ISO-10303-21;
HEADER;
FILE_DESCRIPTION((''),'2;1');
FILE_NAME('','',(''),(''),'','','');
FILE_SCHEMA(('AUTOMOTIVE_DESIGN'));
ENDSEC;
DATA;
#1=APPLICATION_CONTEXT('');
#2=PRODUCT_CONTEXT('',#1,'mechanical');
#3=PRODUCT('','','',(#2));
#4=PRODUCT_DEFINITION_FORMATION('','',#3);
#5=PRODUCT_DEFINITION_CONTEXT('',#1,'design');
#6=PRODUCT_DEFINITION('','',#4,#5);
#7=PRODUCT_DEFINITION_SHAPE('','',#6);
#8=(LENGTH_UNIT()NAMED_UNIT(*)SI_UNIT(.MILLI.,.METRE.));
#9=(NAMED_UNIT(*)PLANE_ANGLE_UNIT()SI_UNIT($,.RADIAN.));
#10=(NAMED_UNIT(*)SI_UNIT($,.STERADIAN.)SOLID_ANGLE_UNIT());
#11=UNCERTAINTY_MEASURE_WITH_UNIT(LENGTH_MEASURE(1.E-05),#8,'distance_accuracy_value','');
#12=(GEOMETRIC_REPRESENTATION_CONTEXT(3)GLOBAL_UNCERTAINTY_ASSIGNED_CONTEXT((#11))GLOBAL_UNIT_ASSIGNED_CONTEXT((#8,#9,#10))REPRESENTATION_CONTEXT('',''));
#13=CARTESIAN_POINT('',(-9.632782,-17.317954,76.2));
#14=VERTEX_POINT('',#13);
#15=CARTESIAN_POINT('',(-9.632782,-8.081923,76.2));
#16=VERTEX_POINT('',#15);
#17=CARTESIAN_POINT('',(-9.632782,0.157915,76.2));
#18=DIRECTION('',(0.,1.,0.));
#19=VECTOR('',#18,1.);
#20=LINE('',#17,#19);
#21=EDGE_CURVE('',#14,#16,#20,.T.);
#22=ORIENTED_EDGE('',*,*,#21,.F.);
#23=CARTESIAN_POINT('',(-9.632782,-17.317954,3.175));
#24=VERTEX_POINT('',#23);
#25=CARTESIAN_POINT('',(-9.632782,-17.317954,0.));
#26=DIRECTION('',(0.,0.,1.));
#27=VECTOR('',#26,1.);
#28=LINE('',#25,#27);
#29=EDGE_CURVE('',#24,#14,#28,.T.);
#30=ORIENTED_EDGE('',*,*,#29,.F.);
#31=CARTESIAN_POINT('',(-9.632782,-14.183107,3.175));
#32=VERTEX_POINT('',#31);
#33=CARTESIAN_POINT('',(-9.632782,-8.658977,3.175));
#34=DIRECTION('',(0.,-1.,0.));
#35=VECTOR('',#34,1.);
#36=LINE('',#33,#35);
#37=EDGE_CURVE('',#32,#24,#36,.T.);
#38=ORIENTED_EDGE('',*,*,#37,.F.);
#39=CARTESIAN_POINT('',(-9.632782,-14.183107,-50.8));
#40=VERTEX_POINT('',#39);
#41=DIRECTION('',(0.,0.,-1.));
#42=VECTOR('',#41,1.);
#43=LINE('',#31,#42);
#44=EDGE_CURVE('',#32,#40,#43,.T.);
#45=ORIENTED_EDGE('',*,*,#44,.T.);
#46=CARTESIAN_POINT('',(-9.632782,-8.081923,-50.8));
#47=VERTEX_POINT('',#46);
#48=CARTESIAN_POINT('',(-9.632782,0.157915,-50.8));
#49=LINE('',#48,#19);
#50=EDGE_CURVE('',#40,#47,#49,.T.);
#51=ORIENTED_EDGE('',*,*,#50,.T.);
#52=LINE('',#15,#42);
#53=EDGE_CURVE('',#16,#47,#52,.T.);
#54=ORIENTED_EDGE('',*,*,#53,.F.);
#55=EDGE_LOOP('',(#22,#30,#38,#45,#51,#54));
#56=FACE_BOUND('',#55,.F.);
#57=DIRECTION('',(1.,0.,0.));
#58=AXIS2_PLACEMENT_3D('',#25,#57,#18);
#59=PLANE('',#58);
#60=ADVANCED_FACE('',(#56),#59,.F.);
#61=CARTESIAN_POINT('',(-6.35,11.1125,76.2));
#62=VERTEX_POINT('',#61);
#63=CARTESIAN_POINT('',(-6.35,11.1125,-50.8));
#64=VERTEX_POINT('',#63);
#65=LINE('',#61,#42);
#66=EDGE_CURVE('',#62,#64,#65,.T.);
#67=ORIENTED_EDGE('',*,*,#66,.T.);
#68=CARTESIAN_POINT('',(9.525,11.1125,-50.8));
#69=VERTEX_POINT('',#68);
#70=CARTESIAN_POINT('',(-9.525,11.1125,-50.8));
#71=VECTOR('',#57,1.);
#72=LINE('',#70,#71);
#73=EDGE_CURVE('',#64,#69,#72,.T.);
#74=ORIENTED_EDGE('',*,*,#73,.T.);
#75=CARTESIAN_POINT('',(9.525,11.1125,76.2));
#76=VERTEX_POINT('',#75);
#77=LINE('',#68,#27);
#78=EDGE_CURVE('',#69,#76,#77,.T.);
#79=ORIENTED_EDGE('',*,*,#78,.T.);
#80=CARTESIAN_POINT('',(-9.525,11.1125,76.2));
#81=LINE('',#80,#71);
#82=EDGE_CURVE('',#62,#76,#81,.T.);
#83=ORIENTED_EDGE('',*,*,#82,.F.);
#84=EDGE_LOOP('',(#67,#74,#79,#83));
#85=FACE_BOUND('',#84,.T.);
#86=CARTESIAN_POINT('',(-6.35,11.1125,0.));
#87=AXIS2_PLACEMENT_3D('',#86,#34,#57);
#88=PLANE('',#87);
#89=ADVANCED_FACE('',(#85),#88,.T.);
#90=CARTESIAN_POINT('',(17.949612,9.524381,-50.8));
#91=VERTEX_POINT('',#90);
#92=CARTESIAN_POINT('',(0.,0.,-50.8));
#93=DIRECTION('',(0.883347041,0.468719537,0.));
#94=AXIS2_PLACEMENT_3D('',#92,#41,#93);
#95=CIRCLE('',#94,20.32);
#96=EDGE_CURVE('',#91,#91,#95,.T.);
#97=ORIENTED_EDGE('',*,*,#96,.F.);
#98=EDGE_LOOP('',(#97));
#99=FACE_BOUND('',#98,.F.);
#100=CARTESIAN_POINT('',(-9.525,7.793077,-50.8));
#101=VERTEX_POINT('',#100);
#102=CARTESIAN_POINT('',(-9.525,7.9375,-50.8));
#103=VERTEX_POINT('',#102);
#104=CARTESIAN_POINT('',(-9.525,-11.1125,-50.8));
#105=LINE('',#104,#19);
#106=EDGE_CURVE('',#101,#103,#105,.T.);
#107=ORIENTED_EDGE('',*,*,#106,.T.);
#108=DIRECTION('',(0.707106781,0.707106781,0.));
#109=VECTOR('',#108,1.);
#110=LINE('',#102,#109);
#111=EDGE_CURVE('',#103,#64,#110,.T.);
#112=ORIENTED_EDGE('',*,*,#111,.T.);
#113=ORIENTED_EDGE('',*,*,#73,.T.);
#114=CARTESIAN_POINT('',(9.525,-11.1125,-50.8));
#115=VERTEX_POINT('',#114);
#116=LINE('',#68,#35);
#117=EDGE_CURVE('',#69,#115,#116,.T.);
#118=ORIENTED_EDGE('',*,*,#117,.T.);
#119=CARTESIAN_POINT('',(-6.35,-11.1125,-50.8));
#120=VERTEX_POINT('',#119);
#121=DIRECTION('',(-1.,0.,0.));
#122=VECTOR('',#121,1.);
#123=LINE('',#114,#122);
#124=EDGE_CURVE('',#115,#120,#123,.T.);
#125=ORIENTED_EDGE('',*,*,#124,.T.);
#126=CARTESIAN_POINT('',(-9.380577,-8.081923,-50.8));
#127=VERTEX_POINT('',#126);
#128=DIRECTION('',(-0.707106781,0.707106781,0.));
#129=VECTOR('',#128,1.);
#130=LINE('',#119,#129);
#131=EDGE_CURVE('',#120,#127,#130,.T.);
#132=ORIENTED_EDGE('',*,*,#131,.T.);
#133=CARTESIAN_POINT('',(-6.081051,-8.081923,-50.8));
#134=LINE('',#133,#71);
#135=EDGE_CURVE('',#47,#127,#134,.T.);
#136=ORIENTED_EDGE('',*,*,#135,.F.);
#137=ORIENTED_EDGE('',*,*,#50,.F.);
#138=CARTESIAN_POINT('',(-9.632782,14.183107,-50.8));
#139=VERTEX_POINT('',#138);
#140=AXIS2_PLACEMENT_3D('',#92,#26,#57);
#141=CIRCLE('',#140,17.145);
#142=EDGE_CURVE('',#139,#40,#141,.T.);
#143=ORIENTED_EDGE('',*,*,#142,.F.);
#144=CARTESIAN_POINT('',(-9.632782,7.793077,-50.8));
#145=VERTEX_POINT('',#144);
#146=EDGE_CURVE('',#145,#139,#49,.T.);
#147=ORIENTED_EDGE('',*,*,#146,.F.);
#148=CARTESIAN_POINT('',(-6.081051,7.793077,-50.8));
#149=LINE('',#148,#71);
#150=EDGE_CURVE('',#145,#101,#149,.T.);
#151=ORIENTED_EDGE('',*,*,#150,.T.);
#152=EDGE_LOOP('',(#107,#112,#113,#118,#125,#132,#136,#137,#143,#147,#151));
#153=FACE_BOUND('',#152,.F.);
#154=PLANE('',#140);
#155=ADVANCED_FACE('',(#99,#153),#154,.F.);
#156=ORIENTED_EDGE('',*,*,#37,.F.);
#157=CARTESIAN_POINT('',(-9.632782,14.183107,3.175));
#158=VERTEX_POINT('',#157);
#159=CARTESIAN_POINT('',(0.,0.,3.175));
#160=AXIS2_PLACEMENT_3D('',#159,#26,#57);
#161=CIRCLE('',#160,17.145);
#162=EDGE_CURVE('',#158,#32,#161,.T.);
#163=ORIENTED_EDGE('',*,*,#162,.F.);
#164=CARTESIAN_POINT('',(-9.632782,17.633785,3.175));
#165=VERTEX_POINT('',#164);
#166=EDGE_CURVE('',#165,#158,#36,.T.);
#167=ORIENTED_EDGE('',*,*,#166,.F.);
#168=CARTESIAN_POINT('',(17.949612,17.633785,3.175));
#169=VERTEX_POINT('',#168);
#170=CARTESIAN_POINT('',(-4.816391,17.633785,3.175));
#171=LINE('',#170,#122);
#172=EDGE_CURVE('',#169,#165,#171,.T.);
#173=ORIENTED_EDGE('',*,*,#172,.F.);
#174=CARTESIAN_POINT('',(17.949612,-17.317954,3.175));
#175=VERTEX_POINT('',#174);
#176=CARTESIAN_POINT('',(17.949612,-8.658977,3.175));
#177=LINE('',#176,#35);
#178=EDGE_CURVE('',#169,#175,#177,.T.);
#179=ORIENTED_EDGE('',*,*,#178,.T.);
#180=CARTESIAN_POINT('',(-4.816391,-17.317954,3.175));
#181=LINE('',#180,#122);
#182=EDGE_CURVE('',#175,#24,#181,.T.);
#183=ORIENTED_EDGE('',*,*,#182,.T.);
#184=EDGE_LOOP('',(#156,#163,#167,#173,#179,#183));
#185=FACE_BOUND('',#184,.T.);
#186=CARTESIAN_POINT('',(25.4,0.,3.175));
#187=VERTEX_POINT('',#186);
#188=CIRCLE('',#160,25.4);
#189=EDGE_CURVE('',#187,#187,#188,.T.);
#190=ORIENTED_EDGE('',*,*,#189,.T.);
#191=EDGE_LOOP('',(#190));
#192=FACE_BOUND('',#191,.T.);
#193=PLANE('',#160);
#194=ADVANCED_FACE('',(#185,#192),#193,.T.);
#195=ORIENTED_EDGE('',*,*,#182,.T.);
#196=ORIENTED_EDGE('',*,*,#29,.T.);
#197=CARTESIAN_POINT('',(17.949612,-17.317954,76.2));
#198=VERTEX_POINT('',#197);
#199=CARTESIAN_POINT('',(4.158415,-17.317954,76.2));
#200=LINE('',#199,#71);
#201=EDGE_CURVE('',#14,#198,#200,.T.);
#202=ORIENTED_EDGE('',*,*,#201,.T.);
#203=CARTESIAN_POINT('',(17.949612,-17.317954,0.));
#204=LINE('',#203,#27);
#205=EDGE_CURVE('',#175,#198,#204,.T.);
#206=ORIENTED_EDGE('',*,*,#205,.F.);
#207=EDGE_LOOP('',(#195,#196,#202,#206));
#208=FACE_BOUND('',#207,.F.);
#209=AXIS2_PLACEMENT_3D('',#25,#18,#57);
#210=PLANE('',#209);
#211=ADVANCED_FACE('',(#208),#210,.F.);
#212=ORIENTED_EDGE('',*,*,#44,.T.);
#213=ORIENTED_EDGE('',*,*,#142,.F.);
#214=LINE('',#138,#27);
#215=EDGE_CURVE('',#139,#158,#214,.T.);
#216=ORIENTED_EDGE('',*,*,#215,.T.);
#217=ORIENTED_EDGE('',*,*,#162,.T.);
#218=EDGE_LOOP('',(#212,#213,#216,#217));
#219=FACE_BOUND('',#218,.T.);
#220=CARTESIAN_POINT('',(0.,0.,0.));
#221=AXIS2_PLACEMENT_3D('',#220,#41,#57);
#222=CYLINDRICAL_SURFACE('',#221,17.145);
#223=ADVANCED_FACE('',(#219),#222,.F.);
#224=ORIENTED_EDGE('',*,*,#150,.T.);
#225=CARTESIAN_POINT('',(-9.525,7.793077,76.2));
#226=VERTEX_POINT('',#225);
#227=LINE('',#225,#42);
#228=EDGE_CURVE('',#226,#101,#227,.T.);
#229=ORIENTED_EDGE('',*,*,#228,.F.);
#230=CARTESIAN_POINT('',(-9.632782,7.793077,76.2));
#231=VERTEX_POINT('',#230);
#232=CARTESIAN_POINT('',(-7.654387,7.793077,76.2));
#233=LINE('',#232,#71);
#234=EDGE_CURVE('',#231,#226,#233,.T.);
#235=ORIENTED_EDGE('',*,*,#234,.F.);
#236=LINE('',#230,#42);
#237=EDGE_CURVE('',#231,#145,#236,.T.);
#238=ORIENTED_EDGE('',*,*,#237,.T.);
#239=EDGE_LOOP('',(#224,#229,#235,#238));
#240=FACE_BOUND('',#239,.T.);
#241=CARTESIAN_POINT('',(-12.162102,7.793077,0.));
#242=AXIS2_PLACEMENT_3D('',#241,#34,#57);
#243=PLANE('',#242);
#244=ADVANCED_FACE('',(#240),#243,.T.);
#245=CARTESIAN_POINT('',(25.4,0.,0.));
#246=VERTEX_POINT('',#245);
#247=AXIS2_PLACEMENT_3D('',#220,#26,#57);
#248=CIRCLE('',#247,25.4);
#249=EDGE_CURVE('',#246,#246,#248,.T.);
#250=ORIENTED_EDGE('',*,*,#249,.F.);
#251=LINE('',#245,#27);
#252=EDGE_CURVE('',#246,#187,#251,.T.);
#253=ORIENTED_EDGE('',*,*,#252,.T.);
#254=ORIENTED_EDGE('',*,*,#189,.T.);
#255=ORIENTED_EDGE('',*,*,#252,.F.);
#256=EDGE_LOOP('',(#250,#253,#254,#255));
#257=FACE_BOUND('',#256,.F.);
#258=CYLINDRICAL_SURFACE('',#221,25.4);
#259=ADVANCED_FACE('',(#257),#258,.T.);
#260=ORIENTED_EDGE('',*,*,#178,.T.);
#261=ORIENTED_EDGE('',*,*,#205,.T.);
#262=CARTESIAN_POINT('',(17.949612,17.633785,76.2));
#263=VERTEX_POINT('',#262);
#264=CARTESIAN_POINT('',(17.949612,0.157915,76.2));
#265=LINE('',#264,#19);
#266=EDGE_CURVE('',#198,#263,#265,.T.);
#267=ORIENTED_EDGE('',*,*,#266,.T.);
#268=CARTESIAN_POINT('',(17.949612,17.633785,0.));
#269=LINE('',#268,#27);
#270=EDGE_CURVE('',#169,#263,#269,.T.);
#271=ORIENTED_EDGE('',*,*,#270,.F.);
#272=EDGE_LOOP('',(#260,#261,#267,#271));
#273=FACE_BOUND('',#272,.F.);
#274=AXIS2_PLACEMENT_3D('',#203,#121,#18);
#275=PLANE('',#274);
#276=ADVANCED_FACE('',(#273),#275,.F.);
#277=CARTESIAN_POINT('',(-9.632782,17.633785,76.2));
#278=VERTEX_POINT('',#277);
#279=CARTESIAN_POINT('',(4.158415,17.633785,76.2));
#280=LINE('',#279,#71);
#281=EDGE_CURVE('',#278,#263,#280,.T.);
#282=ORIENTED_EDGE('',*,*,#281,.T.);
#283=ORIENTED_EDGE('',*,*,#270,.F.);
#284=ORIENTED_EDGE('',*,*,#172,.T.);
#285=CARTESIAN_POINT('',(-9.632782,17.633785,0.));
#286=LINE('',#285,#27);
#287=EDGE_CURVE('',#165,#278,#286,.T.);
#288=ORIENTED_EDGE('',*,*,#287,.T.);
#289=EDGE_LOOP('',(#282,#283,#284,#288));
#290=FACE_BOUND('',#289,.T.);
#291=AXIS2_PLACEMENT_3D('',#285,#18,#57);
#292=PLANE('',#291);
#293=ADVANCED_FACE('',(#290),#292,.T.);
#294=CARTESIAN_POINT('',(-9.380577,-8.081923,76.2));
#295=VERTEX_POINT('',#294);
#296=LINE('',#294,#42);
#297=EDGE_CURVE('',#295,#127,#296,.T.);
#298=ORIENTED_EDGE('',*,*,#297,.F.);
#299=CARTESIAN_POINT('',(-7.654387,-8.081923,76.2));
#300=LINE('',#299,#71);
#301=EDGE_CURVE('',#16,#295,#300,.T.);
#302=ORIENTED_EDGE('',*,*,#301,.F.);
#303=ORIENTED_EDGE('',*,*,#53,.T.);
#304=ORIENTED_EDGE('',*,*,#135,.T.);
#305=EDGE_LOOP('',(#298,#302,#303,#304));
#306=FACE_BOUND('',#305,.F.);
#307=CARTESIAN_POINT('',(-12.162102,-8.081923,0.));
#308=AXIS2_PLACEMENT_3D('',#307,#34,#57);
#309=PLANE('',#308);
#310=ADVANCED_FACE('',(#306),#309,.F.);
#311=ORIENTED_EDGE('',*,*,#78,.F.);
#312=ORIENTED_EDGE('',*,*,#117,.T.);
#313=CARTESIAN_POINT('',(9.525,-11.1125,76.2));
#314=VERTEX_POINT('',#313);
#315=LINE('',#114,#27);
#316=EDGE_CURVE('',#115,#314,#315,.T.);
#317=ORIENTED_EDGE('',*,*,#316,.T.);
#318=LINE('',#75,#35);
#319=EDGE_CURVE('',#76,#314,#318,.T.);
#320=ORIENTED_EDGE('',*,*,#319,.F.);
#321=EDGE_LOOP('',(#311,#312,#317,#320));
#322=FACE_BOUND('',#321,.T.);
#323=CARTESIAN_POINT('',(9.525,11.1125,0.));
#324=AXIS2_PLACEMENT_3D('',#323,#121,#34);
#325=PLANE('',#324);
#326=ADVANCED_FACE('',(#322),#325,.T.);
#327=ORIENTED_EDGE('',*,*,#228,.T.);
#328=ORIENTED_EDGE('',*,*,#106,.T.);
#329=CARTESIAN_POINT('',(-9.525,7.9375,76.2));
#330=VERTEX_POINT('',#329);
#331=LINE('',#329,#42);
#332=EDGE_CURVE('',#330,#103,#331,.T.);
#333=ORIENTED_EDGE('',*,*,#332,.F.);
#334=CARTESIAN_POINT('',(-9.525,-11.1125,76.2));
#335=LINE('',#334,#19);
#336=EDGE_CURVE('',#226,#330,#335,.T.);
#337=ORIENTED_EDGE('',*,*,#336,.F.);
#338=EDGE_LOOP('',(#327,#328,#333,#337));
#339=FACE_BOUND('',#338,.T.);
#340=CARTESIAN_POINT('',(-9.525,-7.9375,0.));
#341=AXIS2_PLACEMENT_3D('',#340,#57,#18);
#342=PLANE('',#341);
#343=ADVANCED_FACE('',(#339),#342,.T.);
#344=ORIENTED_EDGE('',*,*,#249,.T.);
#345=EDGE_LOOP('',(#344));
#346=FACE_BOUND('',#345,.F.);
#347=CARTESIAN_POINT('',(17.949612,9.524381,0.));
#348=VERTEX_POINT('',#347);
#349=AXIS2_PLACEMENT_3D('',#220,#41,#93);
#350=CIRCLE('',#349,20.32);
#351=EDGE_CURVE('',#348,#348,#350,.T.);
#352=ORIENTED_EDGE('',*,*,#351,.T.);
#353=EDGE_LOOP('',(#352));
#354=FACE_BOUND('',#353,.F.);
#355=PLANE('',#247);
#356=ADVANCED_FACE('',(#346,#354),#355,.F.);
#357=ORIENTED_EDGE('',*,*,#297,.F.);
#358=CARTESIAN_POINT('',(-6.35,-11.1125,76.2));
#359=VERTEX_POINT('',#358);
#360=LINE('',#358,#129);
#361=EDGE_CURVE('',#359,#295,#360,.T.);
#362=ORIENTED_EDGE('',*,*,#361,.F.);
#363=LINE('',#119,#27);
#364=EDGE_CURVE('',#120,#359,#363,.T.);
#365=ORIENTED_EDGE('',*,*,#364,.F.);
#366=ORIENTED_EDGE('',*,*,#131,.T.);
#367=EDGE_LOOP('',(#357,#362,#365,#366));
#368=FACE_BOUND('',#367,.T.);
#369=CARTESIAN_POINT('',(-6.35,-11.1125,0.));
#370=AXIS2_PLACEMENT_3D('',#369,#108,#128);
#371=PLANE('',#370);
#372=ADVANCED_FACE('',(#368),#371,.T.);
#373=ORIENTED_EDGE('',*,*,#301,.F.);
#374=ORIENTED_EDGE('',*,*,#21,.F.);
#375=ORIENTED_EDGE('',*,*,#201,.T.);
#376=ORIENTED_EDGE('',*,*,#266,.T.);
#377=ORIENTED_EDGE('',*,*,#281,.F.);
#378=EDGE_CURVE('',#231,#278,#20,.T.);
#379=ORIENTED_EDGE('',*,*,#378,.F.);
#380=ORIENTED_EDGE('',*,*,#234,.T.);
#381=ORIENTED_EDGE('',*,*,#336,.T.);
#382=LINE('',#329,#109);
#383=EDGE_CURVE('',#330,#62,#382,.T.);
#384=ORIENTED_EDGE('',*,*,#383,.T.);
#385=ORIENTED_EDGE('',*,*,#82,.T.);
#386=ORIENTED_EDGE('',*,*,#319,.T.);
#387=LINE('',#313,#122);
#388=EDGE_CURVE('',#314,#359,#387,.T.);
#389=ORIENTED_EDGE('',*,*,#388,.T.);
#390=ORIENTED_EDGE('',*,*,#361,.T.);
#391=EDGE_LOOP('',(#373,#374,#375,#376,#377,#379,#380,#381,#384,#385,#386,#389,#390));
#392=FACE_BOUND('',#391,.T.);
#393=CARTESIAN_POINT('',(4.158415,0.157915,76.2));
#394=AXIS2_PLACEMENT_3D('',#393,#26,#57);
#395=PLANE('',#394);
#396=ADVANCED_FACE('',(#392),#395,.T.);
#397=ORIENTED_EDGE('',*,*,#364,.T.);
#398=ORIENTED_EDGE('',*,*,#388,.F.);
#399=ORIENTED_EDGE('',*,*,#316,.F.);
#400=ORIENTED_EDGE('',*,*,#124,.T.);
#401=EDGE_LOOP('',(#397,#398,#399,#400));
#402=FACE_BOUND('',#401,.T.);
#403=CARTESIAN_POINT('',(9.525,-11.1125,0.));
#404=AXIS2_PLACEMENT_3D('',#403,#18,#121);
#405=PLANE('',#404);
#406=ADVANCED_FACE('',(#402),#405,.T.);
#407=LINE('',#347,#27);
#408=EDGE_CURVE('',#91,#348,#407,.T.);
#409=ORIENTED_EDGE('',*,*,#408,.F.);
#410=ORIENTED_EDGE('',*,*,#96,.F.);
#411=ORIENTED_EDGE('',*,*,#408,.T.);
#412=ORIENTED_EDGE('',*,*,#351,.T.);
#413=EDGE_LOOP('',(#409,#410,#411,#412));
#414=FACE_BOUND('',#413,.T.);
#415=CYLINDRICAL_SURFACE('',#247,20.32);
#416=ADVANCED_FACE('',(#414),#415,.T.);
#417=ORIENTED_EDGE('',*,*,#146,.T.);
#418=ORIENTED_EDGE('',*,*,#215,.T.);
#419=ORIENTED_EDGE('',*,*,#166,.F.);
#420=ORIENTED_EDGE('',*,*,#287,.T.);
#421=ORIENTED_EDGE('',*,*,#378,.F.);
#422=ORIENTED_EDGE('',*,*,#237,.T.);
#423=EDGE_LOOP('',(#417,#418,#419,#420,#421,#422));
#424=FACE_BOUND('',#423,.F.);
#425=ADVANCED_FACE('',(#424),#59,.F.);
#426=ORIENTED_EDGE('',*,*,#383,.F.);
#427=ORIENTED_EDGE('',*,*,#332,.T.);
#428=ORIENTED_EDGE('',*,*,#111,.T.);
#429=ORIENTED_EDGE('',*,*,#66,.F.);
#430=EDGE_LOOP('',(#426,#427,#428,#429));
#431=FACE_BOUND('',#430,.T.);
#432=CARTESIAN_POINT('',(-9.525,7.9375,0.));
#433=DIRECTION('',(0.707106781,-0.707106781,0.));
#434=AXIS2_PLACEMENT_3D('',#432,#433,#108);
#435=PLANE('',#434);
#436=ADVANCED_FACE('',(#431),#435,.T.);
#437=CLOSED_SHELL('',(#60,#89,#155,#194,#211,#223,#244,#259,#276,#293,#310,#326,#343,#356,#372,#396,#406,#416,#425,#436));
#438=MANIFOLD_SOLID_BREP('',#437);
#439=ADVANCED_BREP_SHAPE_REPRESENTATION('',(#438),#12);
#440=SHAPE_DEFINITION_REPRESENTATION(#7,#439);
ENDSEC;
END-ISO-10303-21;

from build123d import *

# Parameters (mm, degrees)
F0_R          = 20.32
F0_R_2        = 17.145
F2_DEPTH      = 50.8
F1_R          = 25.4
F1_R_2        = 17.145
F3_DEPTH      = 3.175
F4_W          = 27.5823939592
F4_H          = 34.9517390132
F5_DEPTH      = 76.2
F5_DEPTH_BACK = 50.8
F6_R          = 34.0814213396
F6_R_2        = 20.32
F7_DEPTH      = 76.2
F8_W          = 9.0154311216
F8_H          = 15.875
F9_DEPTH      = 76.2
F9_DEPTH_BACK = 76.2


with BuildPart() as f2:
    # F0 (on Top) → F2 (new body)
    with BuildSketch(Plane.XY):
        Circle(F0_R)
        Circle(F0_R_2, mode=Mode.SUBTRACT)
    extrude(amount=-F2_DEPTH)

    # F1 (on Top) → F3 (join)
    with BuildSketch(Plane.XY):
        Circle(F1_R)
        Circle(F1_R_2, mode=Mode.SUBTRACT)
    extrude(amount=F3_DEPTH)

    # F4 (on Top) → F5 (join, two sides)
    with BuildSketch(Plane.XY) as f5_sk:
        with Locations((4.1584149003, 0.1579150558)):
            Rectangle(F4_W, F4_H)
        Polygon((9.525, 11.1125), (9.525, -11.1125), (-6.35, -11.1125), (-9.525, -11.1125), (-9.525, -7.9375), (-9.525, 7.9375), (-9.525, 11.1125), (-6.35, 11.1125), align=None, mode=Mode.SUBTRACT)
        Polygon((-9.525, -11.1125), (-6.35, -11.1125), (-9.525, -7.9375), align=None)
        Polygon((-9.525, 7.9375), (-6.35, 11.1125), (-9.525, 11.1125), align=None)
    extrude(amount=F5_DEPTH)
    extrude(f5_sk.sketch, amount=-F5_DEPTH_BACK)

    # F6 (on Top) → F7 (cut)
    with BuildSketch(Plane.XY):
        Circle(F6_R)
        Circle(F6_R_2, mode=Mode.SUBTRACT)
    extrude(amount=-F7_DEPTH, mode=Mode.SUBTRACT)

    # F8 (on Top) → F9 (cut, two sides)
    with BuildSketch(Plane.XY) as f9_sk:
        with Locations((-7.6543868054, -0.1444227528)):
            Rectangle(F8_W, F8_H)
    extrude(amount=-F9_DEPTH, mode=Mode.SUBTRACT)
    extrude(f9_sk.sketch, amount=F9_DEPTH_BACK, mode=Mode.SUBTRACT)


solid = f2.part
